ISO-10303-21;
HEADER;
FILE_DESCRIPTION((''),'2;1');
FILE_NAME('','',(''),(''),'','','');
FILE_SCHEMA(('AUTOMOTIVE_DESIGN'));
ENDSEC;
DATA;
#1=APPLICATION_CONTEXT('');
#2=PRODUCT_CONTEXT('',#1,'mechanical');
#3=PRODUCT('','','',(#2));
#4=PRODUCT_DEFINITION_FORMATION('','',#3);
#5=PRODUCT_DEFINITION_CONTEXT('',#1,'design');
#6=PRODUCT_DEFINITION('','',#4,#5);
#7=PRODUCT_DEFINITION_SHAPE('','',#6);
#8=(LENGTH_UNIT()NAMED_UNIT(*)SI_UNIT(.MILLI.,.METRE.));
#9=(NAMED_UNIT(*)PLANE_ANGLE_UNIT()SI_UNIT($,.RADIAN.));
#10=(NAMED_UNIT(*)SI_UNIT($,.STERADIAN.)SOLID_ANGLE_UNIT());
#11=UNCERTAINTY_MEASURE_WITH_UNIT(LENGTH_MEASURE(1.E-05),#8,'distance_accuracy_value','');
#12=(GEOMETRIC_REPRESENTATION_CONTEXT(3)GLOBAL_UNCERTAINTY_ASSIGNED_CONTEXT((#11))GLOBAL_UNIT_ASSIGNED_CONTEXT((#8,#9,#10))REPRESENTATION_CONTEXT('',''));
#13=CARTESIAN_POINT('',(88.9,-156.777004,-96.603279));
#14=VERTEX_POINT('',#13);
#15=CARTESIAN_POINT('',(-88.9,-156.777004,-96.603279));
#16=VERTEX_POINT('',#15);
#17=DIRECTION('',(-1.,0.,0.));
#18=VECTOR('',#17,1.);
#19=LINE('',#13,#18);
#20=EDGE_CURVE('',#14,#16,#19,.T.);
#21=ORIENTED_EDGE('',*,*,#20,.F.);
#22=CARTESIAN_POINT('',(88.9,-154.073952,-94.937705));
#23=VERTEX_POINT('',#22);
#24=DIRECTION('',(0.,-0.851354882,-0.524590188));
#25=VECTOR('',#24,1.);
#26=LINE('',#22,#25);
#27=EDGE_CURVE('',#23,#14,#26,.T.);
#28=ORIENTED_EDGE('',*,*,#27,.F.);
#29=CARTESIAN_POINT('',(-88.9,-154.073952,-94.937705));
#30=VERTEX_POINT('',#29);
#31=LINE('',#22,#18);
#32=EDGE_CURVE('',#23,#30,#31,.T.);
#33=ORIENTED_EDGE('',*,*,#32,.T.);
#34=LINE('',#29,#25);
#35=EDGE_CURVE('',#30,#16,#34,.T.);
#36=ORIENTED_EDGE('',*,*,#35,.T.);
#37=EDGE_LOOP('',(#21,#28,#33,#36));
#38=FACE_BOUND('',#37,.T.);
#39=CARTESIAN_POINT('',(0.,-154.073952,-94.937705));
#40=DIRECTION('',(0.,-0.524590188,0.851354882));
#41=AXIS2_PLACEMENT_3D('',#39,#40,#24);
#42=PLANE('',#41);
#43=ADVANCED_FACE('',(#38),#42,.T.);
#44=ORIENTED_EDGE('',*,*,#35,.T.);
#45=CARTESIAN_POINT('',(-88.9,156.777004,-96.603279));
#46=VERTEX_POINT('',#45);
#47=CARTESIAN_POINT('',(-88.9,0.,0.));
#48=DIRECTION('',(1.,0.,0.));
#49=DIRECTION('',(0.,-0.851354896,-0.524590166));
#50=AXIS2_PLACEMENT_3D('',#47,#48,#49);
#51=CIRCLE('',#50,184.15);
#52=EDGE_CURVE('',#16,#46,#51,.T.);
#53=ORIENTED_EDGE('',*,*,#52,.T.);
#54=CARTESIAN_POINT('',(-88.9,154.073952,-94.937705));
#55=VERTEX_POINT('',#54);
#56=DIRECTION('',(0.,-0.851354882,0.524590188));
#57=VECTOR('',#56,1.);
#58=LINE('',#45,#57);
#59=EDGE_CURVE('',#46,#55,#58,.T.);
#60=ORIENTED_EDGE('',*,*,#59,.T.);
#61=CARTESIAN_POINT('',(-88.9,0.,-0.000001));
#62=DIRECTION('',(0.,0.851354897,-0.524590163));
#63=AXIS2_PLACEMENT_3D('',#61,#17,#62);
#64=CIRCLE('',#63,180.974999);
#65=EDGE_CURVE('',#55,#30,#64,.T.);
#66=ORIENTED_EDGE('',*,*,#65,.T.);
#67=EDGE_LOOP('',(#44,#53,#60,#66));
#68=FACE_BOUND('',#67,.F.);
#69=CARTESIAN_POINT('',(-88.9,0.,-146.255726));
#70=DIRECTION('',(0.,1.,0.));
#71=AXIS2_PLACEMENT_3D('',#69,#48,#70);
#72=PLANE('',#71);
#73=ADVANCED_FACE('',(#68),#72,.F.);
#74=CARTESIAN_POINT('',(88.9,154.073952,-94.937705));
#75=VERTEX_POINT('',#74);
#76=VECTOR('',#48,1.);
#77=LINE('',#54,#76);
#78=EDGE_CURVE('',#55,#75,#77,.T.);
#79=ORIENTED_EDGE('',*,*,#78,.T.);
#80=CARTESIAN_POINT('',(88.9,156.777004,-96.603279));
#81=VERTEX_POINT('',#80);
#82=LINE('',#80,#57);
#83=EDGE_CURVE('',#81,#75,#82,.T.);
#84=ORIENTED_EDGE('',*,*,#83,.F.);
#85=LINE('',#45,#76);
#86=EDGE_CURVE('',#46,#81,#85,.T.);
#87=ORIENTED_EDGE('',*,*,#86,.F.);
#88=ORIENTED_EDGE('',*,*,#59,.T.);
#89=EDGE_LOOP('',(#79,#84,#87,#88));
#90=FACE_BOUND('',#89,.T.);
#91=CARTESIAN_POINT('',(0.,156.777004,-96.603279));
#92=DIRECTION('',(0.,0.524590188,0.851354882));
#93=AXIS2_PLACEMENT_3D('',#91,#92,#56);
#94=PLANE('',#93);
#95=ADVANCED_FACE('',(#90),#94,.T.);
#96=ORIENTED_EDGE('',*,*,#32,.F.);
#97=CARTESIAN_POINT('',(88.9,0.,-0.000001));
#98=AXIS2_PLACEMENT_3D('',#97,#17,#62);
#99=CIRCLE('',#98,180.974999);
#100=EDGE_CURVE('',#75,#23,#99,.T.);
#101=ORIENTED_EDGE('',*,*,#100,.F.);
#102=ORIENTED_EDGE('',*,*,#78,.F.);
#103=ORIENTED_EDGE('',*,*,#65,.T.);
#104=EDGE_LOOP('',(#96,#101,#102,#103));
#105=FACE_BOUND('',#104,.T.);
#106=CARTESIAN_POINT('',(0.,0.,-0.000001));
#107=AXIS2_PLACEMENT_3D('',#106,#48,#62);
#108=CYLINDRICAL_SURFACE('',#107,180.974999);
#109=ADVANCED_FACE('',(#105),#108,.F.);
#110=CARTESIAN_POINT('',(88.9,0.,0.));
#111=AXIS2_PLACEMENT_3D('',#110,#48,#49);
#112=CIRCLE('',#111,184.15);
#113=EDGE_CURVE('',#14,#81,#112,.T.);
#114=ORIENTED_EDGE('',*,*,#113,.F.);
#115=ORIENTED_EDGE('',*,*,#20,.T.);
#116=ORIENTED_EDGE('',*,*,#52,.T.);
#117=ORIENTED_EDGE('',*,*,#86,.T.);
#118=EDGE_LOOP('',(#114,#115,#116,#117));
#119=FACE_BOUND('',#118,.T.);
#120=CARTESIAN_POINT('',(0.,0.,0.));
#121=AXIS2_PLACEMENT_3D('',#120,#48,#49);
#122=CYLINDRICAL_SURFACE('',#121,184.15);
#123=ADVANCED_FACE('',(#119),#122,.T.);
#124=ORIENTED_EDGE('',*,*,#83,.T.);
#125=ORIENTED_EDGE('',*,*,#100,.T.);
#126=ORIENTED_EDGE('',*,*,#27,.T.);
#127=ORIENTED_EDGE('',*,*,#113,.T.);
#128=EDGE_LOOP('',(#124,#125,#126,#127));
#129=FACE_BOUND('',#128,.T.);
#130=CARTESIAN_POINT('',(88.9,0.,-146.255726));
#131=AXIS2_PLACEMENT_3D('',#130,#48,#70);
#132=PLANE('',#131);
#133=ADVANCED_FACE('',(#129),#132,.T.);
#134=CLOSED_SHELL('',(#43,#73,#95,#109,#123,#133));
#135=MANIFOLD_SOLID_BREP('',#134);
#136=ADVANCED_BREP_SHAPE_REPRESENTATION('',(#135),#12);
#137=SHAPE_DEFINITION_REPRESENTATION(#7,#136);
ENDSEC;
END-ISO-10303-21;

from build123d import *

# Parameters (mm, degrees)
F1_DEPTH = 88.9


with BuildPart() as f1:
    # F0 (on Right) → F1 (new body, symmetric)
    with BuildSketch(Plane.YZ):
        with BuildLine():
            ThreePointArc((-156.777004, -96.603279), (0, -184.15), (156.777004, -96.603279))
            Line((156.777004, -96.603279), (154.073952, -94.937705))
            ThreePointArc((154.073952, -94.937705), (0, -180.975), (-154.073952, -94.937705))
            Line((-154.073952, -94.937705), (-156.777004, -96.603279))
        make_face()
    extrude(amount=F1_DEPTH, both=True)


solid = f1.part
